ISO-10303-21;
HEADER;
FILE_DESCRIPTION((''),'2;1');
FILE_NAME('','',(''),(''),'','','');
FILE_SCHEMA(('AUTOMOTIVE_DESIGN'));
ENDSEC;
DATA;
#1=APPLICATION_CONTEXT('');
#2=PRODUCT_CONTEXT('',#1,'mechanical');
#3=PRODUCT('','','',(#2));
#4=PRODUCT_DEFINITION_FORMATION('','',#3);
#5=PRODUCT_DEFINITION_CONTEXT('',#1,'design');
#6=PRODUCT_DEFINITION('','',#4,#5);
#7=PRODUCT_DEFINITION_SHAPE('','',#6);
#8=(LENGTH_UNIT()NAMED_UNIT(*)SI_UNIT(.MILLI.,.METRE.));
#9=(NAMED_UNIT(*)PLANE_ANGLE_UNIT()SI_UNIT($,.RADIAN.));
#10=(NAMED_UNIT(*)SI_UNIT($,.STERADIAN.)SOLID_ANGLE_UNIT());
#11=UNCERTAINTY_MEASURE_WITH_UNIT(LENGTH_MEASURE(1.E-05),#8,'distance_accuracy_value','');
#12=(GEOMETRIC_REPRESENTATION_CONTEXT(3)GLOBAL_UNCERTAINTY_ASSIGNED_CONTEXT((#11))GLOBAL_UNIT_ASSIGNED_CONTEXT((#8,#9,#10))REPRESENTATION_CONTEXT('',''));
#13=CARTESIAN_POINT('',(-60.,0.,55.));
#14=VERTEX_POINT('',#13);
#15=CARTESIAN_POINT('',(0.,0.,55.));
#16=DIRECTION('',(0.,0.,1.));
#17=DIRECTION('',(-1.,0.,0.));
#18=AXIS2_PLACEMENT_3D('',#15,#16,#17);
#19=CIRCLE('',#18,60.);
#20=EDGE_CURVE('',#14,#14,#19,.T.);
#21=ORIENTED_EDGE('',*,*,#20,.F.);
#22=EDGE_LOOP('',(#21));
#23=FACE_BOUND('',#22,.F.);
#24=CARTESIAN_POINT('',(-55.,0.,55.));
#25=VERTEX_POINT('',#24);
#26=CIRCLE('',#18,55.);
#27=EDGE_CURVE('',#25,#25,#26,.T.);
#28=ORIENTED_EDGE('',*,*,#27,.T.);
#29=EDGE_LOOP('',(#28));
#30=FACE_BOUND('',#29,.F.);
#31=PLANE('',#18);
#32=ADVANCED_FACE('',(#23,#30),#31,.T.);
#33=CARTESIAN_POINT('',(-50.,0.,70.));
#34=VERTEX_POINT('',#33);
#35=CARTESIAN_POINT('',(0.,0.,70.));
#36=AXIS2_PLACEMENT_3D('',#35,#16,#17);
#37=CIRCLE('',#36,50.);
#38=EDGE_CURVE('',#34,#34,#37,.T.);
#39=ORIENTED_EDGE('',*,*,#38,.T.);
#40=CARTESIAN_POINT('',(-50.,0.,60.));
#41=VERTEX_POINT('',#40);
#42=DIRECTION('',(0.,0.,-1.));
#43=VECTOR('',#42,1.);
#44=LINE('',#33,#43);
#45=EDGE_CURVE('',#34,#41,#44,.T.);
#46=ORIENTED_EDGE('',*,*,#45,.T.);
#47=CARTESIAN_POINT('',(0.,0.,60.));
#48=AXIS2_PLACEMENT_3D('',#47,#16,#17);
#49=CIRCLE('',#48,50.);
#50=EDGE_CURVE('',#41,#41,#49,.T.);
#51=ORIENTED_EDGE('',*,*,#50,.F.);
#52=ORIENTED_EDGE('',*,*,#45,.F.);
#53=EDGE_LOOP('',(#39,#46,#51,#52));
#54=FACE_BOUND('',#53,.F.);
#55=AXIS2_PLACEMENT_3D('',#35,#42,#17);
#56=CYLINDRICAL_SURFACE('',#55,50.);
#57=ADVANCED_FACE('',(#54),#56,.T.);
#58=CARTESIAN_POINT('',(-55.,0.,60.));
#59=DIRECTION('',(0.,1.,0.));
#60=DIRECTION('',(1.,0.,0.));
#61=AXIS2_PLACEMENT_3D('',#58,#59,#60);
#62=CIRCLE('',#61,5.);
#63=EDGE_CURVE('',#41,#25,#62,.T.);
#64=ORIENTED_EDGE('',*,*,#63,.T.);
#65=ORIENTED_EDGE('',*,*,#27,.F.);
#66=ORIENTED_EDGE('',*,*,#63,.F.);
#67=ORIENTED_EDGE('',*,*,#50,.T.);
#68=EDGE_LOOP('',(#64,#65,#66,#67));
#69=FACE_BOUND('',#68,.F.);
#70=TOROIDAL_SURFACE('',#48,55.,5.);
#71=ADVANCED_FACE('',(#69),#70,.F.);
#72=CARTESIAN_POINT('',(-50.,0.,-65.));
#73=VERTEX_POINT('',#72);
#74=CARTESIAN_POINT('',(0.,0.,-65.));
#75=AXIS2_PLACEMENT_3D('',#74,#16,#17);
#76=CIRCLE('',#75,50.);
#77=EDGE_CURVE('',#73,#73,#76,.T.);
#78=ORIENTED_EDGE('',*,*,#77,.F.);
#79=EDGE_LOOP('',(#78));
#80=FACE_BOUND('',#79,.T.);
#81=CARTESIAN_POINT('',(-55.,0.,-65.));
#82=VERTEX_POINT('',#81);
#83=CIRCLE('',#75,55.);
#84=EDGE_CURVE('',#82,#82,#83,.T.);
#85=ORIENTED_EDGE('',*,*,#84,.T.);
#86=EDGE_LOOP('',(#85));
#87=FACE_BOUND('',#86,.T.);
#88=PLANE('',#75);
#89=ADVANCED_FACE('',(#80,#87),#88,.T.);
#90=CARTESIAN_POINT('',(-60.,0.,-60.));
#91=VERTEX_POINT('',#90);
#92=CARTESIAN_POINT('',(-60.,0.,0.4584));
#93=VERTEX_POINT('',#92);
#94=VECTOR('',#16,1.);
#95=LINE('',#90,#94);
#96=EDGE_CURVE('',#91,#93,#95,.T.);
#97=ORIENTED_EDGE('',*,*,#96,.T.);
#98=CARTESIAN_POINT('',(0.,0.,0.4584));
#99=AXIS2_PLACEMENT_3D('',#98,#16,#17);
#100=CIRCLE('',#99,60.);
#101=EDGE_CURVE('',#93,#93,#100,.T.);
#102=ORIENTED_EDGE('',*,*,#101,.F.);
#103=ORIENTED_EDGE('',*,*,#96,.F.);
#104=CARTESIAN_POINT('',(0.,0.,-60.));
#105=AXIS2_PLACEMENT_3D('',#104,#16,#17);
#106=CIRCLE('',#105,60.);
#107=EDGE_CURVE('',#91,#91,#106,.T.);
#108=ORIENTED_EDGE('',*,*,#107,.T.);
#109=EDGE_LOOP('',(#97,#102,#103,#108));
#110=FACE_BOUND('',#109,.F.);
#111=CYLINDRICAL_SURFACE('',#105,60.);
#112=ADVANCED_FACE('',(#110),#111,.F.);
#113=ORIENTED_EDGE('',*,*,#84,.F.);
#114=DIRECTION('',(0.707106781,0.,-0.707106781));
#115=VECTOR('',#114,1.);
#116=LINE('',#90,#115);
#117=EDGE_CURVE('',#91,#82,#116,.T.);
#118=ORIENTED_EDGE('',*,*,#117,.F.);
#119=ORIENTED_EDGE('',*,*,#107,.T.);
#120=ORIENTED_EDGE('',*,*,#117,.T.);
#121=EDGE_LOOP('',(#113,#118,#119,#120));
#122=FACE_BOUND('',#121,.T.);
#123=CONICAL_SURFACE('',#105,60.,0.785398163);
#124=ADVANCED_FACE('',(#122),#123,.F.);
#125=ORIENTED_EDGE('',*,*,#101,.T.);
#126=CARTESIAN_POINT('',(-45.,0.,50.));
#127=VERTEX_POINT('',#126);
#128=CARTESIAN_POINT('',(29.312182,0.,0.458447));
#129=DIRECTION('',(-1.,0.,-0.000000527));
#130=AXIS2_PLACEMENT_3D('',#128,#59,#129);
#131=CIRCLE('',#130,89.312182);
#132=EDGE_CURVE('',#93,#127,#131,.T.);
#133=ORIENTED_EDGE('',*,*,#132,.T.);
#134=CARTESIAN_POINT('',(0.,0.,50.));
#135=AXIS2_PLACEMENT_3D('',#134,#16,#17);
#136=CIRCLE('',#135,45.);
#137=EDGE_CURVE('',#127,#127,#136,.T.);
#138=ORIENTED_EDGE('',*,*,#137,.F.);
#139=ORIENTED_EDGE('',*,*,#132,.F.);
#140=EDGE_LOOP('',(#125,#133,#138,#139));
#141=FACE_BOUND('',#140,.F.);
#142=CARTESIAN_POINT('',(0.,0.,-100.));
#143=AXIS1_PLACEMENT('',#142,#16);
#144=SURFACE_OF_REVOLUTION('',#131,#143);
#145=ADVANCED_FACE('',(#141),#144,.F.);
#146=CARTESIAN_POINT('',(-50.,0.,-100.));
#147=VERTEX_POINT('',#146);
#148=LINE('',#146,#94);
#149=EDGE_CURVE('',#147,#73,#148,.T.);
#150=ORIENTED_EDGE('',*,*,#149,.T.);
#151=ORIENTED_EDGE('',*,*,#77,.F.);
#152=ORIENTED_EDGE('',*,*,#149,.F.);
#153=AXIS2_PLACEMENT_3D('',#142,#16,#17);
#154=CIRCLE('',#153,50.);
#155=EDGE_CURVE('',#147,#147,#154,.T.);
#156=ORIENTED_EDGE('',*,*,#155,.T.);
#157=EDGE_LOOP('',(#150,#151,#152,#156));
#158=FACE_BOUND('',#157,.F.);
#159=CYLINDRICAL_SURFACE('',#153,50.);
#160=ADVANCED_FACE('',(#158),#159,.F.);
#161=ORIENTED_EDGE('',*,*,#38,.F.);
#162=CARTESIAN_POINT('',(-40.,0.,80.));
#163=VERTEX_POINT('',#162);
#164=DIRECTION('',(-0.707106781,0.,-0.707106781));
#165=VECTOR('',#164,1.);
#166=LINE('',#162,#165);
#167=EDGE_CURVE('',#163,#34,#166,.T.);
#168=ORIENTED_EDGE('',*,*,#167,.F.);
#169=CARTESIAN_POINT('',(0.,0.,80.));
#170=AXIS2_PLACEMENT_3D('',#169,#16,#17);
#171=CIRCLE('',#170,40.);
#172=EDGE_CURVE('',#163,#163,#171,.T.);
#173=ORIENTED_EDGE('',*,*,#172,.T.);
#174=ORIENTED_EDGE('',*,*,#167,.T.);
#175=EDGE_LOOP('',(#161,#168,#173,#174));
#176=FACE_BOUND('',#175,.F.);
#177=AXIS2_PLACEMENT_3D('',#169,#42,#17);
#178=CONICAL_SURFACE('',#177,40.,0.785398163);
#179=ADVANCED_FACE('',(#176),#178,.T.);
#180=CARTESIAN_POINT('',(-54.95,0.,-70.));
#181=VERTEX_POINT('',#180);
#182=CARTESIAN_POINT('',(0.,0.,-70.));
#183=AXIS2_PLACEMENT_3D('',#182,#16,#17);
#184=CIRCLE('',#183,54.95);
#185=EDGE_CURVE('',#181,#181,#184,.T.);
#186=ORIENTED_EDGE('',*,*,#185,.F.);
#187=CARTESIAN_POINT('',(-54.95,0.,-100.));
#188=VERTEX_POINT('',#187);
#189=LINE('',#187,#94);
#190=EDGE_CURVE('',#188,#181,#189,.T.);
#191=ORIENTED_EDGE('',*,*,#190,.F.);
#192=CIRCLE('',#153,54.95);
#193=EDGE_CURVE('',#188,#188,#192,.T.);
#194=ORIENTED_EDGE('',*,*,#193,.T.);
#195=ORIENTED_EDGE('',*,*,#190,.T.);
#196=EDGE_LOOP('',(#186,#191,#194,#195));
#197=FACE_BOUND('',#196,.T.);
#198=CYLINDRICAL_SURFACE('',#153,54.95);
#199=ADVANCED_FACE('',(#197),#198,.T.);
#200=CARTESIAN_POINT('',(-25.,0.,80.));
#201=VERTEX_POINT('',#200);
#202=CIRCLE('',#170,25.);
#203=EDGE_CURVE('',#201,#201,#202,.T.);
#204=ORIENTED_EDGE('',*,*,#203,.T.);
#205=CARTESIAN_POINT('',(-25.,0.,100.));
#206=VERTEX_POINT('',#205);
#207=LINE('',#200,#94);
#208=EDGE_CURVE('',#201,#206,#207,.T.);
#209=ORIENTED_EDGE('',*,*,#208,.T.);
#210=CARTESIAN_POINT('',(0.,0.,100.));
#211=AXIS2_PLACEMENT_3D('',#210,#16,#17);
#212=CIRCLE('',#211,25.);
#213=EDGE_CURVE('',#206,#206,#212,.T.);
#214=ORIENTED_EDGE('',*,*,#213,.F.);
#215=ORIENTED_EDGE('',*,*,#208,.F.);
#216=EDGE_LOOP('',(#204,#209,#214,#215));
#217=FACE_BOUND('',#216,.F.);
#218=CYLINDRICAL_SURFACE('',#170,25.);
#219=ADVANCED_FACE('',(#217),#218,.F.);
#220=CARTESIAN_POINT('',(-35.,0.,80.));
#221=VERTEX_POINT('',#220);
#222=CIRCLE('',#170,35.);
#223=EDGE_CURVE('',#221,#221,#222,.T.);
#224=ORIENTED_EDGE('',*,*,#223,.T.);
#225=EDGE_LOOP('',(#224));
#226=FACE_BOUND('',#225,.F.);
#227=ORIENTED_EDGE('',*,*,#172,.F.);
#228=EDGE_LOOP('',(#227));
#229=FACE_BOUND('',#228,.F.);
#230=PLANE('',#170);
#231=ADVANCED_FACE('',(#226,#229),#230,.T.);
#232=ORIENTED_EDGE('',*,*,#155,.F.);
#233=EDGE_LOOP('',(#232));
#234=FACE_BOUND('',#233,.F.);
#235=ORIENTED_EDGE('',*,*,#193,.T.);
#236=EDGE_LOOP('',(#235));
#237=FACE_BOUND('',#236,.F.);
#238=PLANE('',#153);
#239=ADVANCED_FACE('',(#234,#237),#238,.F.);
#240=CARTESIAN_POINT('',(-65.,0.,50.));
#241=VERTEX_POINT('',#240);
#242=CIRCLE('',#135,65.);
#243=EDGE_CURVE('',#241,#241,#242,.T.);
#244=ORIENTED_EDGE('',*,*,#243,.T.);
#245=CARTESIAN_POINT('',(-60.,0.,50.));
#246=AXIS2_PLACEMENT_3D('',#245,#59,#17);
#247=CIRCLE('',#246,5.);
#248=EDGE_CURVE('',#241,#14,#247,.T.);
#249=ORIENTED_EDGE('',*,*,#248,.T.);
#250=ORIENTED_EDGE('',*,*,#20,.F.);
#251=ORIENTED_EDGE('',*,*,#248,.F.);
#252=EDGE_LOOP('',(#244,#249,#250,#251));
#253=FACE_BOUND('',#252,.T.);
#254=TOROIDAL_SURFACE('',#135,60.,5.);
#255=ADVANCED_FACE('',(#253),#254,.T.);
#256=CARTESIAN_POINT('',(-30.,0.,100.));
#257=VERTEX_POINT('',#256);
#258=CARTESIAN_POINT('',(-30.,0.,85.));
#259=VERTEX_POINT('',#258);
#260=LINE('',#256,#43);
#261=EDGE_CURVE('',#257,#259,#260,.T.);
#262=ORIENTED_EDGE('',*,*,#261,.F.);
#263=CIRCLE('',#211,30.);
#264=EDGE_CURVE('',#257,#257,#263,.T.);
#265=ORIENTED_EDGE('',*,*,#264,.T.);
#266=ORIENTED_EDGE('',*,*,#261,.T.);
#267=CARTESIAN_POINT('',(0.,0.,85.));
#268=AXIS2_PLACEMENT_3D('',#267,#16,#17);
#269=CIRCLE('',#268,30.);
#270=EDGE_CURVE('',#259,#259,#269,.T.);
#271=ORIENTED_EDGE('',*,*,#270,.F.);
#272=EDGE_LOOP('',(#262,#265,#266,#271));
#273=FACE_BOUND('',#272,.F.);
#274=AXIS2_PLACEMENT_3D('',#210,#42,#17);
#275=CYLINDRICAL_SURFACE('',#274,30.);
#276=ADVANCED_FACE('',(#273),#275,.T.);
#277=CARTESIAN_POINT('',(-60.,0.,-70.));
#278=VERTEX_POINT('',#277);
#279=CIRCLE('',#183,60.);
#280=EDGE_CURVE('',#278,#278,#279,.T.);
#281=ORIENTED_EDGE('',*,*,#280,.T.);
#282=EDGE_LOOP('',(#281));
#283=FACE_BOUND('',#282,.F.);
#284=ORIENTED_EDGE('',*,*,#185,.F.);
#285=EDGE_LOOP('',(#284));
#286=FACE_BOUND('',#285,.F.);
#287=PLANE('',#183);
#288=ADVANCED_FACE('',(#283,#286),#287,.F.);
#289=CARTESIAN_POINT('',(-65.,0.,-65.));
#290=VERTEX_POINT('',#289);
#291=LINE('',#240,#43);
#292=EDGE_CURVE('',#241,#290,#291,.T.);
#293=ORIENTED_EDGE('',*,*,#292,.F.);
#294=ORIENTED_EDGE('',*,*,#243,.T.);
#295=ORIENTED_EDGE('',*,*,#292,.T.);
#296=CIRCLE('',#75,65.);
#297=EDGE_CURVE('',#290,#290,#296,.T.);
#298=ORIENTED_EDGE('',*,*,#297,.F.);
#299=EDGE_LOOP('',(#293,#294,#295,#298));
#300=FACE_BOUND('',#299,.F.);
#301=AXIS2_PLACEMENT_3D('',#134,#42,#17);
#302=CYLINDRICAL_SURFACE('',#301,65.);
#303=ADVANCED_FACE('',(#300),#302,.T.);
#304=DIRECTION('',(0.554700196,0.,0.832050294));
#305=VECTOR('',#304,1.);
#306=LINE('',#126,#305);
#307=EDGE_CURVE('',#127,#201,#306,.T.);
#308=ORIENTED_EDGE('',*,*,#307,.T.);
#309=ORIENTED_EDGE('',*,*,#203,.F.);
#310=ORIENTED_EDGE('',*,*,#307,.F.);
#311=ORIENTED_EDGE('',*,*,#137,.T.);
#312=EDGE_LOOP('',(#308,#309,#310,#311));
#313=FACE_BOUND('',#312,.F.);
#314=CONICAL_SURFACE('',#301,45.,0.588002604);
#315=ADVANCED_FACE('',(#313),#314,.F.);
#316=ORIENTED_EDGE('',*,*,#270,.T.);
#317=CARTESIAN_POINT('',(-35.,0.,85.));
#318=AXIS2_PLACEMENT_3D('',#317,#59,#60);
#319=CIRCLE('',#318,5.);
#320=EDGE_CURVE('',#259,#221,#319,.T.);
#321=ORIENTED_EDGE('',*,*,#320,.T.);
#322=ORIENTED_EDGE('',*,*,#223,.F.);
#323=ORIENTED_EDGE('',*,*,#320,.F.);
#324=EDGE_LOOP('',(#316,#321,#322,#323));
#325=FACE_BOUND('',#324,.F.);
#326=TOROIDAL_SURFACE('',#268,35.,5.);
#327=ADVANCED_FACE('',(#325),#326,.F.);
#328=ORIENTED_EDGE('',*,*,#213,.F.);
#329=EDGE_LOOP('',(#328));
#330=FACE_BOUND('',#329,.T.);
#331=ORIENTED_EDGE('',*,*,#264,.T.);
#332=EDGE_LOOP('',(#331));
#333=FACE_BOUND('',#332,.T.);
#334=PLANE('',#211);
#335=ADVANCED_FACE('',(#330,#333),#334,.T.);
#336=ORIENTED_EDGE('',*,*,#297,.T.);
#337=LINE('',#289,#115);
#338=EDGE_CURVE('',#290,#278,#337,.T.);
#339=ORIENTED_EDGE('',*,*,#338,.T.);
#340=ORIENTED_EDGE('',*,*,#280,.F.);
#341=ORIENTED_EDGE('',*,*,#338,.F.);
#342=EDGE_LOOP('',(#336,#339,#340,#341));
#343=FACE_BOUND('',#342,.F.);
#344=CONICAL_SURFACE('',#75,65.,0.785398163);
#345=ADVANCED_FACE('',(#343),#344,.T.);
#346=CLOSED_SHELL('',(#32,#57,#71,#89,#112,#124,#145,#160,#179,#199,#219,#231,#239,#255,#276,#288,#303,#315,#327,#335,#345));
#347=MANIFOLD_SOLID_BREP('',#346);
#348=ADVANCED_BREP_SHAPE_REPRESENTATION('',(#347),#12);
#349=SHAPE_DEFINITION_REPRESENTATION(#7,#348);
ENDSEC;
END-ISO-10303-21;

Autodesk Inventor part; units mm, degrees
sketch "Sketch6" plane through (0, 0, 0) normal (0, 1, 0) x (-1, 0, 0)
  line L0 (0, -100) -> (0, 100)
  line L1 (50, -100) -> (50, -65)
  line L2 (60, -60) -> (60, 0.4584)
  line L3 (55, -65) -> (50, -65)
  line L4 (60, 50) -> (45, 50) construction
  line L5 (25, 80) -> (25, 100)
  line L6 (30, 100) -> (30, 85)
  line L7 (55, 55) -> (60, 55)
  line L8 (65, 50) -> (65, -65)
  line L9 (55, -100) -> (50, -100)
  line L10 (30, 100) -> (25, 100)
  line L11 (45, 50) -> (45, 50)
  line L12 (25, 80) -> (25, 80)
  line L13 (45, 50) -> (25, 80)
  arc A0 (65, 50) -> (60, 55) centre (60, 50) ccw
  arc A1 (50, 60) -> (55, 55) centre (55, 60) ccw
  line L14 (65, -65) -> (60, -70)
  line L15 (60, -60) -> (55, -65)
  line L16 (60, 45) -> (60, 45)
  line L17 (55, 50) -> (55, 50)
  line L18 (35, 80) -> (40, 80)
  line L19 (50, 70) -> (50, 60)
  line L20 (40, 80) -> (50, 70)
  line L21 (54.95, -100) -> (54.95, -70)
  line L22 (60, -70) -> (54.95, -70)
  arc A2 (30, 85) -> (35, 80) centre (35, 85) ccw
  arc A3 (60, 0.4584) -> (45, 50) centre (-29.3125, 0.4584) ccw
  point P0 (0, 0)
  point P1 (0, 0)
  point P2 (60, -65)
  point P3 (30, 80)
  point P4 (65, -70)
  point P5 (25, 50)
  point P6 (50, 80)
  dimension "d88" = 200
  dimension "d89" = 35
  dimension "d90" = 115
  dimension "d91" = 100
  dimension "d92" = 120
  dimension "d95" = 50
  dimension "d96" = 20
  dimension "d97" = 30
  dimension "d99" = 5
  dimension "d100" = 5
  dimension "d101" = 5
  dimension "d102" = 5
  dimension "d103" = 5
  dimension "d107" = 10
  dimension "d108" = 10
  dimension "d109" = 109.9
  dimension "d127" = 5
revolve "Revolution5" add sketch "Sketch6" angle 360 about axis through (0, 0, -100) along (0, 0, 1)
ref_plane "Work Plane2" through (65, 0, -7.5) normal (1, 0, 0) x (0, 1, 0)
sketch "Sketch17" plane through (65, 0, -7.5) normal (1, 0, 0) x (0, 1, 0)
  point P0 (0, 7.5)
ref_plane "Work Plane5" through (57.6628, -30, -7.5) normal (0, 0, -1) x (-1, 0, 0)
sketch "Sketch19" plane through (57.6628, -30, -7.5) normal (0, 0, -1) x (-1, 0, 0)
  line L0 (-2.3372, 5) -> (-2.3372, 0)
  line L1 (-2.3372, 30) -> (27.6628, 30) construction
  line L2 (0, 60) -> (-2.3372, 60)
  line L3 (-2.3372, 55) -> (-2.3372, 60)
  line L4 (-2.3372, 0) -> (0, 0)
  circle A0 centre (57.6628, 30) radius 65 projected
  point P0 (57.6628, 30)
  dimension "d159" = 90
extrude "Extrusion11" [suppressed]
ref_plane "Work Plane6" through (60, 25, -7.5) normal (1, 0, 0) x (0, 0, -1)
sketch "Sketch20" plane through (60, 25, -7.5) normal (1, 0, 0) x (0, 0, -1)
  line L0 (0, 5) -> (0, -55)
  line L1 (50, 0) -> (50, 5) projected
  line L2 (50, 5) -> (50, -55)
  line L3 (0, 5) -> (50, 5) projected
  line L4 (50, 5) -> (0, 5)
  line L5 (50, -55) -> (0, -55) projected
  line L6 (0, -55) -> (50, -55)
  line L7 (0, 5) -> (0, -55)
  circle A0 centre (25, -25) radius 20
  point P0 (-7.5, -25)
  dimension "d170" = 40
extrude "Extrusion12" [suppressed]
sketch "Sketch23" plane through (65, 25, -7.5) normal (1, 0, 0) x (0, 0, -1)
  arc A0 (45, -25) -> (5, -25) centre (25, -25) ccw projected
  circle A1 centre (25, -25) radius 22.5
  arc A2 (5, -25) -> (45, -25) centre (25, -25) ccw projected
  point P0 (-7.5, -25)
  dimension "d171" = 45
extrude "Extrusion14" [suppressed]
sketch "Sketch24" plane through (80, 0, -32.5) normal (1, 0, 0) x (0, 0, -1)
  circle A0 centre (0, 0) radius 20 projected
  circle A1 centre (0, 0) radius 20
  point P0 (-32.5, 0)
  dimension "d174" = 40
extrude "Extrusion15" [suppressed]
fillet "Fillet3" [suppressed]
properties part number "LOWER-NOZZLEv2" material "PC/ABS Plastic"
